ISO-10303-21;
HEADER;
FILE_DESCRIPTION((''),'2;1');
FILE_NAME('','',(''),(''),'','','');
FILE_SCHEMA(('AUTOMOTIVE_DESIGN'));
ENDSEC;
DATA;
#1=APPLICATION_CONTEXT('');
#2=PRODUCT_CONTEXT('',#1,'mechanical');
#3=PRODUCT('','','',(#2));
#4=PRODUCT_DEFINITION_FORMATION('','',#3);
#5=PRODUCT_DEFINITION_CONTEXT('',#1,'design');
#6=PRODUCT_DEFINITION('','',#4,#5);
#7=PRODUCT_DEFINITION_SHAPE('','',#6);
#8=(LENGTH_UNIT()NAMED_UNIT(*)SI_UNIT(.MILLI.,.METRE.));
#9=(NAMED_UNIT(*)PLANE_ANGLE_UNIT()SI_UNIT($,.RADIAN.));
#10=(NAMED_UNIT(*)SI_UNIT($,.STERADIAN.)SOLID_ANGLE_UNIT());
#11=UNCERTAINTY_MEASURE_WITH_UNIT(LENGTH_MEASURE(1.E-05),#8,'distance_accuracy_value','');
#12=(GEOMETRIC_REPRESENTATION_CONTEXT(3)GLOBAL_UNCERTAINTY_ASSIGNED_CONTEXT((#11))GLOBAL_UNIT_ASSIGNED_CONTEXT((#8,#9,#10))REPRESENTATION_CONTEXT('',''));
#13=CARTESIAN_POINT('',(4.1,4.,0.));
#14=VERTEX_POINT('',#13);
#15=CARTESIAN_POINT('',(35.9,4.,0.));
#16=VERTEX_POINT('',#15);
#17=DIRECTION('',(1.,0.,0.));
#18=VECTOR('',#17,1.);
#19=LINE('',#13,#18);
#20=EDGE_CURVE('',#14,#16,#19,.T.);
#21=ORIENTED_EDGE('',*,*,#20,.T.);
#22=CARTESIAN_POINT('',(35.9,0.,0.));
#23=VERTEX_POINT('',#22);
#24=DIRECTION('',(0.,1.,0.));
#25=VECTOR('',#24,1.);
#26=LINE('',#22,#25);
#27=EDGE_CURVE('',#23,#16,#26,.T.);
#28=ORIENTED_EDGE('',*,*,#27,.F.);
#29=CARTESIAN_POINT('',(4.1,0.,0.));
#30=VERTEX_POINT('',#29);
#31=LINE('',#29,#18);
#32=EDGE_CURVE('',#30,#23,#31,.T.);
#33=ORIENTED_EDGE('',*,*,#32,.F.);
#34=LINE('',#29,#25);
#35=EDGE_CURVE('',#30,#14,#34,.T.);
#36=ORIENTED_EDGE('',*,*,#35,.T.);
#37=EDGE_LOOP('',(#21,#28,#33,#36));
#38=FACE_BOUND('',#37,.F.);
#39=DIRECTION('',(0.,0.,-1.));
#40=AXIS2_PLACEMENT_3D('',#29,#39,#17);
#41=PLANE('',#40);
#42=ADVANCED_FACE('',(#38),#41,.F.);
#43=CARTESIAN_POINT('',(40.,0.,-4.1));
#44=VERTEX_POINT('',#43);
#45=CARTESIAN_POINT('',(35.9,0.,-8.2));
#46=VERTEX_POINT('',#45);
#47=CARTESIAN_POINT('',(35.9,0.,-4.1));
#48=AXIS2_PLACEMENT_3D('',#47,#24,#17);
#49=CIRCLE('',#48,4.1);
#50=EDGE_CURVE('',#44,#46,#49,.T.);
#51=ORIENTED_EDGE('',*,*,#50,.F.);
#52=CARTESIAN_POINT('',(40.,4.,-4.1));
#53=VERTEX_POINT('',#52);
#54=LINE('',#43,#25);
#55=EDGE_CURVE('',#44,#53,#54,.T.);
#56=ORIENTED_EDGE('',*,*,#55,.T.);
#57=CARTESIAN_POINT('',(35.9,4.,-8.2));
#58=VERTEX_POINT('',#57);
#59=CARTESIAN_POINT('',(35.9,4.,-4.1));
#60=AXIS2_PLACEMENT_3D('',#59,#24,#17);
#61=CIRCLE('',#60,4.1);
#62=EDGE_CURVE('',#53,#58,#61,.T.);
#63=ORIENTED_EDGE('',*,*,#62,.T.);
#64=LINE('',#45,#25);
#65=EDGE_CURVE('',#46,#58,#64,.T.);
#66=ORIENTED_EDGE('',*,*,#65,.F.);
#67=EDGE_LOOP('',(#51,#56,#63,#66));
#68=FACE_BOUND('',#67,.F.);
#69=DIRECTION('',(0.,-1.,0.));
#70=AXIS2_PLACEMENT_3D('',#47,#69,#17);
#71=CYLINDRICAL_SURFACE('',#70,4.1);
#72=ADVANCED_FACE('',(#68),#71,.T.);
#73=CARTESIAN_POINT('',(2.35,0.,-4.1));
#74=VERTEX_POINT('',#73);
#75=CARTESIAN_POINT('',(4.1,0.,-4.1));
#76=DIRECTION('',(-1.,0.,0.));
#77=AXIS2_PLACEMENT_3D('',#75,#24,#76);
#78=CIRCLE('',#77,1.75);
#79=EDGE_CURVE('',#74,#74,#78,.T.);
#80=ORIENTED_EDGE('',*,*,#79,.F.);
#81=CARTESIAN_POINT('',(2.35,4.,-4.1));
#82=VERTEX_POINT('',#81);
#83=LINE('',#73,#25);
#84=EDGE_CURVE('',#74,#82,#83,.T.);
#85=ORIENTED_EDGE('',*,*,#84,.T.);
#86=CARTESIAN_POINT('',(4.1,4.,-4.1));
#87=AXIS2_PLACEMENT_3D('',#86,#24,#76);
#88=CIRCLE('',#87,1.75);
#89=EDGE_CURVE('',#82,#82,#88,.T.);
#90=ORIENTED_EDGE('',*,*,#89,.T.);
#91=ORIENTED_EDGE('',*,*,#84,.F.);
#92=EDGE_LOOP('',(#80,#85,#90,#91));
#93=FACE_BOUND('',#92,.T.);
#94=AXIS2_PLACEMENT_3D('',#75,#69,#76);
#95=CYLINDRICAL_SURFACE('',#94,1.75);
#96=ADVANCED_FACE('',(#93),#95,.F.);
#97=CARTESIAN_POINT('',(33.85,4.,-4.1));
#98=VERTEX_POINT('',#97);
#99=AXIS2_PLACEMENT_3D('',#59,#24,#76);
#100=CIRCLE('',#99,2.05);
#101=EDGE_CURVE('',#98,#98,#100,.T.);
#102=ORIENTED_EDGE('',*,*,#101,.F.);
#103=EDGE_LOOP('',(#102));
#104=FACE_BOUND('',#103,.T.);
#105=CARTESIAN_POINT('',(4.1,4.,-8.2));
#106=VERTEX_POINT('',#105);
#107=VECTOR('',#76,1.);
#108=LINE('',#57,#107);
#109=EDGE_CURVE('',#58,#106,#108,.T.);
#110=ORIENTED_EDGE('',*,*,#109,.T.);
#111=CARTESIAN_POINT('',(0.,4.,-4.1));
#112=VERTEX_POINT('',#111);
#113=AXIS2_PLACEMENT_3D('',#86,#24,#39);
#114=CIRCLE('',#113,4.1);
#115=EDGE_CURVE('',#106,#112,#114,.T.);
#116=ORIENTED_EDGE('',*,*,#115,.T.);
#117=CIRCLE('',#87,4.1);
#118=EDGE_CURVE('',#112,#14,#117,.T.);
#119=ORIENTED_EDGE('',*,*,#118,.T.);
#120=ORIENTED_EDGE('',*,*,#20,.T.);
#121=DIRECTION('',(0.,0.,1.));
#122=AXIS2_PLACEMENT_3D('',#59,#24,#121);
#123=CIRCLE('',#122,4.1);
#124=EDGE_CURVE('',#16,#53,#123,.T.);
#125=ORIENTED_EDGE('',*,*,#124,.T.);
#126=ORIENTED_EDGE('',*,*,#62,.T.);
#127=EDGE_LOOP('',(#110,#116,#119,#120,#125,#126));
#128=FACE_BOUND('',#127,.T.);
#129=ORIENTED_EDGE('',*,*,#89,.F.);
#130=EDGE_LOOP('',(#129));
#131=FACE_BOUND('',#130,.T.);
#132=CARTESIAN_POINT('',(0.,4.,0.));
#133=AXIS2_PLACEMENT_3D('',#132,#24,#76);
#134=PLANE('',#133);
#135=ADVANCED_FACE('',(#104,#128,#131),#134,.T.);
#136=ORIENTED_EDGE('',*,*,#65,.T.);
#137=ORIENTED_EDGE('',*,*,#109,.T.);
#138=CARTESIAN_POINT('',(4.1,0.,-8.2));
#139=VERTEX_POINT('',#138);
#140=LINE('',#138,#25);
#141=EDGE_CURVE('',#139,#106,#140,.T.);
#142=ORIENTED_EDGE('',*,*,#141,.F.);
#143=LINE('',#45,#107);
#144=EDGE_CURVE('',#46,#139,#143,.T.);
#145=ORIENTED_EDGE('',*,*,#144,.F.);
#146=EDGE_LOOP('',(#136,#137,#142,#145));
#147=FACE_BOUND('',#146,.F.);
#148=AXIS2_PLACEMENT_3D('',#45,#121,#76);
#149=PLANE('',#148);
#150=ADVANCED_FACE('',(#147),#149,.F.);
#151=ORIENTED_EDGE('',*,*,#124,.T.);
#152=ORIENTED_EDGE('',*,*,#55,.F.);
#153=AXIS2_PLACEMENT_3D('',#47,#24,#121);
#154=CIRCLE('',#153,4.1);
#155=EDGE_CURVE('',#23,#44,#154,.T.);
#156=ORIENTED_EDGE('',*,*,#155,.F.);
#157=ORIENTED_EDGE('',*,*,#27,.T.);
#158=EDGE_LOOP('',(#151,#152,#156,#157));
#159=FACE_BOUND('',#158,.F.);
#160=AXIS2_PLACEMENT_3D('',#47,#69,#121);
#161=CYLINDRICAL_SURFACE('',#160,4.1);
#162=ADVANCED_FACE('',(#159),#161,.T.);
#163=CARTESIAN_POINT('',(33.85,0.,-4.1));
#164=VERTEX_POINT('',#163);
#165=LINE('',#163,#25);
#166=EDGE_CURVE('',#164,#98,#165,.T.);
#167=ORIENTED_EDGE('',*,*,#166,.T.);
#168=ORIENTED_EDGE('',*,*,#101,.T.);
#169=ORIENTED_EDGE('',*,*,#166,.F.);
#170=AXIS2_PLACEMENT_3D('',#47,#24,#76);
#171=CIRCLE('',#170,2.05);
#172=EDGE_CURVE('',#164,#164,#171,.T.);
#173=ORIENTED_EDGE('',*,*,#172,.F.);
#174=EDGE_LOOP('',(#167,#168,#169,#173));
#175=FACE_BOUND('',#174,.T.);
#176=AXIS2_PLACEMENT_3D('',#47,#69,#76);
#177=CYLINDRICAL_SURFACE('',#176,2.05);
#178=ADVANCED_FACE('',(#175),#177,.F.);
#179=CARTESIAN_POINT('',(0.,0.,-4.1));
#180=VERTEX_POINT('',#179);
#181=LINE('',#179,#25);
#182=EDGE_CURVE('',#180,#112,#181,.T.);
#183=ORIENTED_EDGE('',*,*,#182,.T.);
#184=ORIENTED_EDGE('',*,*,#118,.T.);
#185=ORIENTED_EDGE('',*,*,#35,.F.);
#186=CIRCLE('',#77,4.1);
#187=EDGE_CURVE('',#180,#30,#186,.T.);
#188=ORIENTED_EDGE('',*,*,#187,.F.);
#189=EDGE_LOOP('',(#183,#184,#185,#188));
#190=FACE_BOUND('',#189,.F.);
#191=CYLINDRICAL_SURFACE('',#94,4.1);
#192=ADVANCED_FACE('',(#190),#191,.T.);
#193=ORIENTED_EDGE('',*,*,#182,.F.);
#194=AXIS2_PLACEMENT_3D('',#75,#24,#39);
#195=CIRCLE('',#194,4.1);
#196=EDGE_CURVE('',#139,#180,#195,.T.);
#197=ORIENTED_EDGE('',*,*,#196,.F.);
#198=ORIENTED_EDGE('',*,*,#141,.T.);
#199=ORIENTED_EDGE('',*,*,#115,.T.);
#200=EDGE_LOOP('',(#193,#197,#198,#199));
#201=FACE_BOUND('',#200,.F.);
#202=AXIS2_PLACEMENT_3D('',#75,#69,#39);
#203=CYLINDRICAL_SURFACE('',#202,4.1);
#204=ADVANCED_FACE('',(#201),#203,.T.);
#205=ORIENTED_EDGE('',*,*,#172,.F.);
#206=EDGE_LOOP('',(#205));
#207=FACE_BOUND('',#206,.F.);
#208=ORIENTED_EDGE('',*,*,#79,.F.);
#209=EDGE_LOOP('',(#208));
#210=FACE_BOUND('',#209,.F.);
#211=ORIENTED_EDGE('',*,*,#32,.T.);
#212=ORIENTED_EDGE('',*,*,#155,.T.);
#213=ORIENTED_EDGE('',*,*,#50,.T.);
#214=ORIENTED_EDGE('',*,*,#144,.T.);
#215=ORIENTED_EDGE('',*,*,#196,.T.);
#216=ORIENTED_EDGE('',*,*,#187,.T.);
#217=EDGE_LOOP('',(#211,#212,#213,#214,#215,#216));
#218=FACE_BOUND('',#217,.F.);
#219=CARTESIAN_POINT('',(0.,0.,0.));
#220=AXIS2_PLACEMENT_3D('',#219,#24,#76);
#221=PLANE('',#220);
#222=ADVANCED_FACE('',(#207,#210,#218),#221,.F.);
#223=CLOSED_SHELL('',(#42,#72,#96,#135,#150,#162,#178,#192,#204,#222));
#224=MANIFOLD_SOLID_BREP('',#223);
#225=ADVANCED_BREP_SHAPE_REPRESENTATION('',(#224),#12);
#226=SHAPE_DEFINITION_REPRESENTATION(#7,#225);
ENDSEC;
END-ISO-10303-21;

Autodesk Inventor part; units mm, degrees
ref_plane "YZ Plane" through (0, 0, 0) normal (1, 0, 0) x (0, 1, 0)
ref_plane "XZ Plane" through (0, 0, 0) normal (0, 1, 0) x (-1, 0, 0)
ref_plane "XY Plane" through (0, 0, 0) normal (0, 0, 1) x (1, 0, 0)
sketch "Sketch1" plane through (0, 0, 0) normal (0, 1, 0) x (-1, 0, 0)
  line L0 (-4.1, 0) -> (-35.9, 0)
  line L1 (-40, -4.1) -> (-40, -4.1)
  line L2 (-35.9, -8.2) -> (-4.1, -8.2)
  line L3 (0, -4.1) -> (0, -4.1)
  circle A0 centre (-35.9, -4.1) radius 2.05
  circle A1 centre (-4.1, -4.1) radius 1.75
  arc A2 (-4.1, -8.2) -> (0, -4.1) centre (-4.1, -4.1) ccw
  arc A3 (0, -4.1) -> (-4.1, 0) centre (-4.1, -4.1) ccw
  arc A4 (-35.9, 0) -> (-40, -4.1) centre (-35.9, -4.1) ccw
  arc A5 (-40, -4.1) -> (-35.9, -8.2) centre (-35.9, -4.1) ccw
  point P0 (0, 0)
  point P1 (-40, -8.2)
  point P2 (-40, 0)
  point P3 (0, -8.2)
  point P4 (-40, -4.1)
  point P5 (0, -4.1)
  dimension "d0" = 40
  dimension "d1" = 8.2
  dimension "d2" = 4.1
  dimension "d3" = 3.5
  dimension "d4" = 4.1
  dimension "d5" = 4.1
  dimension "d6" = 4.1
  dimension "d7" = 4.1
  dimension "d8" = 4.1
extrude "Extrusion1" add sketch "Sketch1" along normal blind 4
equation "\"d1\" = 2 * arm_rod_diam"
equation "\"d2\" = arm_rod_diam"
equation "\"d4\" = 0.5 * d1"
equation "\"d5\" = d4"
equation "\"d6\" = d4"
equation "\"d7\" = d5"
equation "\"d8\" = arm_rod_diam"
equation "\"arm_rod_diam\" = 4.1"
properties part number "config_arm" material "ABS Plastic"
